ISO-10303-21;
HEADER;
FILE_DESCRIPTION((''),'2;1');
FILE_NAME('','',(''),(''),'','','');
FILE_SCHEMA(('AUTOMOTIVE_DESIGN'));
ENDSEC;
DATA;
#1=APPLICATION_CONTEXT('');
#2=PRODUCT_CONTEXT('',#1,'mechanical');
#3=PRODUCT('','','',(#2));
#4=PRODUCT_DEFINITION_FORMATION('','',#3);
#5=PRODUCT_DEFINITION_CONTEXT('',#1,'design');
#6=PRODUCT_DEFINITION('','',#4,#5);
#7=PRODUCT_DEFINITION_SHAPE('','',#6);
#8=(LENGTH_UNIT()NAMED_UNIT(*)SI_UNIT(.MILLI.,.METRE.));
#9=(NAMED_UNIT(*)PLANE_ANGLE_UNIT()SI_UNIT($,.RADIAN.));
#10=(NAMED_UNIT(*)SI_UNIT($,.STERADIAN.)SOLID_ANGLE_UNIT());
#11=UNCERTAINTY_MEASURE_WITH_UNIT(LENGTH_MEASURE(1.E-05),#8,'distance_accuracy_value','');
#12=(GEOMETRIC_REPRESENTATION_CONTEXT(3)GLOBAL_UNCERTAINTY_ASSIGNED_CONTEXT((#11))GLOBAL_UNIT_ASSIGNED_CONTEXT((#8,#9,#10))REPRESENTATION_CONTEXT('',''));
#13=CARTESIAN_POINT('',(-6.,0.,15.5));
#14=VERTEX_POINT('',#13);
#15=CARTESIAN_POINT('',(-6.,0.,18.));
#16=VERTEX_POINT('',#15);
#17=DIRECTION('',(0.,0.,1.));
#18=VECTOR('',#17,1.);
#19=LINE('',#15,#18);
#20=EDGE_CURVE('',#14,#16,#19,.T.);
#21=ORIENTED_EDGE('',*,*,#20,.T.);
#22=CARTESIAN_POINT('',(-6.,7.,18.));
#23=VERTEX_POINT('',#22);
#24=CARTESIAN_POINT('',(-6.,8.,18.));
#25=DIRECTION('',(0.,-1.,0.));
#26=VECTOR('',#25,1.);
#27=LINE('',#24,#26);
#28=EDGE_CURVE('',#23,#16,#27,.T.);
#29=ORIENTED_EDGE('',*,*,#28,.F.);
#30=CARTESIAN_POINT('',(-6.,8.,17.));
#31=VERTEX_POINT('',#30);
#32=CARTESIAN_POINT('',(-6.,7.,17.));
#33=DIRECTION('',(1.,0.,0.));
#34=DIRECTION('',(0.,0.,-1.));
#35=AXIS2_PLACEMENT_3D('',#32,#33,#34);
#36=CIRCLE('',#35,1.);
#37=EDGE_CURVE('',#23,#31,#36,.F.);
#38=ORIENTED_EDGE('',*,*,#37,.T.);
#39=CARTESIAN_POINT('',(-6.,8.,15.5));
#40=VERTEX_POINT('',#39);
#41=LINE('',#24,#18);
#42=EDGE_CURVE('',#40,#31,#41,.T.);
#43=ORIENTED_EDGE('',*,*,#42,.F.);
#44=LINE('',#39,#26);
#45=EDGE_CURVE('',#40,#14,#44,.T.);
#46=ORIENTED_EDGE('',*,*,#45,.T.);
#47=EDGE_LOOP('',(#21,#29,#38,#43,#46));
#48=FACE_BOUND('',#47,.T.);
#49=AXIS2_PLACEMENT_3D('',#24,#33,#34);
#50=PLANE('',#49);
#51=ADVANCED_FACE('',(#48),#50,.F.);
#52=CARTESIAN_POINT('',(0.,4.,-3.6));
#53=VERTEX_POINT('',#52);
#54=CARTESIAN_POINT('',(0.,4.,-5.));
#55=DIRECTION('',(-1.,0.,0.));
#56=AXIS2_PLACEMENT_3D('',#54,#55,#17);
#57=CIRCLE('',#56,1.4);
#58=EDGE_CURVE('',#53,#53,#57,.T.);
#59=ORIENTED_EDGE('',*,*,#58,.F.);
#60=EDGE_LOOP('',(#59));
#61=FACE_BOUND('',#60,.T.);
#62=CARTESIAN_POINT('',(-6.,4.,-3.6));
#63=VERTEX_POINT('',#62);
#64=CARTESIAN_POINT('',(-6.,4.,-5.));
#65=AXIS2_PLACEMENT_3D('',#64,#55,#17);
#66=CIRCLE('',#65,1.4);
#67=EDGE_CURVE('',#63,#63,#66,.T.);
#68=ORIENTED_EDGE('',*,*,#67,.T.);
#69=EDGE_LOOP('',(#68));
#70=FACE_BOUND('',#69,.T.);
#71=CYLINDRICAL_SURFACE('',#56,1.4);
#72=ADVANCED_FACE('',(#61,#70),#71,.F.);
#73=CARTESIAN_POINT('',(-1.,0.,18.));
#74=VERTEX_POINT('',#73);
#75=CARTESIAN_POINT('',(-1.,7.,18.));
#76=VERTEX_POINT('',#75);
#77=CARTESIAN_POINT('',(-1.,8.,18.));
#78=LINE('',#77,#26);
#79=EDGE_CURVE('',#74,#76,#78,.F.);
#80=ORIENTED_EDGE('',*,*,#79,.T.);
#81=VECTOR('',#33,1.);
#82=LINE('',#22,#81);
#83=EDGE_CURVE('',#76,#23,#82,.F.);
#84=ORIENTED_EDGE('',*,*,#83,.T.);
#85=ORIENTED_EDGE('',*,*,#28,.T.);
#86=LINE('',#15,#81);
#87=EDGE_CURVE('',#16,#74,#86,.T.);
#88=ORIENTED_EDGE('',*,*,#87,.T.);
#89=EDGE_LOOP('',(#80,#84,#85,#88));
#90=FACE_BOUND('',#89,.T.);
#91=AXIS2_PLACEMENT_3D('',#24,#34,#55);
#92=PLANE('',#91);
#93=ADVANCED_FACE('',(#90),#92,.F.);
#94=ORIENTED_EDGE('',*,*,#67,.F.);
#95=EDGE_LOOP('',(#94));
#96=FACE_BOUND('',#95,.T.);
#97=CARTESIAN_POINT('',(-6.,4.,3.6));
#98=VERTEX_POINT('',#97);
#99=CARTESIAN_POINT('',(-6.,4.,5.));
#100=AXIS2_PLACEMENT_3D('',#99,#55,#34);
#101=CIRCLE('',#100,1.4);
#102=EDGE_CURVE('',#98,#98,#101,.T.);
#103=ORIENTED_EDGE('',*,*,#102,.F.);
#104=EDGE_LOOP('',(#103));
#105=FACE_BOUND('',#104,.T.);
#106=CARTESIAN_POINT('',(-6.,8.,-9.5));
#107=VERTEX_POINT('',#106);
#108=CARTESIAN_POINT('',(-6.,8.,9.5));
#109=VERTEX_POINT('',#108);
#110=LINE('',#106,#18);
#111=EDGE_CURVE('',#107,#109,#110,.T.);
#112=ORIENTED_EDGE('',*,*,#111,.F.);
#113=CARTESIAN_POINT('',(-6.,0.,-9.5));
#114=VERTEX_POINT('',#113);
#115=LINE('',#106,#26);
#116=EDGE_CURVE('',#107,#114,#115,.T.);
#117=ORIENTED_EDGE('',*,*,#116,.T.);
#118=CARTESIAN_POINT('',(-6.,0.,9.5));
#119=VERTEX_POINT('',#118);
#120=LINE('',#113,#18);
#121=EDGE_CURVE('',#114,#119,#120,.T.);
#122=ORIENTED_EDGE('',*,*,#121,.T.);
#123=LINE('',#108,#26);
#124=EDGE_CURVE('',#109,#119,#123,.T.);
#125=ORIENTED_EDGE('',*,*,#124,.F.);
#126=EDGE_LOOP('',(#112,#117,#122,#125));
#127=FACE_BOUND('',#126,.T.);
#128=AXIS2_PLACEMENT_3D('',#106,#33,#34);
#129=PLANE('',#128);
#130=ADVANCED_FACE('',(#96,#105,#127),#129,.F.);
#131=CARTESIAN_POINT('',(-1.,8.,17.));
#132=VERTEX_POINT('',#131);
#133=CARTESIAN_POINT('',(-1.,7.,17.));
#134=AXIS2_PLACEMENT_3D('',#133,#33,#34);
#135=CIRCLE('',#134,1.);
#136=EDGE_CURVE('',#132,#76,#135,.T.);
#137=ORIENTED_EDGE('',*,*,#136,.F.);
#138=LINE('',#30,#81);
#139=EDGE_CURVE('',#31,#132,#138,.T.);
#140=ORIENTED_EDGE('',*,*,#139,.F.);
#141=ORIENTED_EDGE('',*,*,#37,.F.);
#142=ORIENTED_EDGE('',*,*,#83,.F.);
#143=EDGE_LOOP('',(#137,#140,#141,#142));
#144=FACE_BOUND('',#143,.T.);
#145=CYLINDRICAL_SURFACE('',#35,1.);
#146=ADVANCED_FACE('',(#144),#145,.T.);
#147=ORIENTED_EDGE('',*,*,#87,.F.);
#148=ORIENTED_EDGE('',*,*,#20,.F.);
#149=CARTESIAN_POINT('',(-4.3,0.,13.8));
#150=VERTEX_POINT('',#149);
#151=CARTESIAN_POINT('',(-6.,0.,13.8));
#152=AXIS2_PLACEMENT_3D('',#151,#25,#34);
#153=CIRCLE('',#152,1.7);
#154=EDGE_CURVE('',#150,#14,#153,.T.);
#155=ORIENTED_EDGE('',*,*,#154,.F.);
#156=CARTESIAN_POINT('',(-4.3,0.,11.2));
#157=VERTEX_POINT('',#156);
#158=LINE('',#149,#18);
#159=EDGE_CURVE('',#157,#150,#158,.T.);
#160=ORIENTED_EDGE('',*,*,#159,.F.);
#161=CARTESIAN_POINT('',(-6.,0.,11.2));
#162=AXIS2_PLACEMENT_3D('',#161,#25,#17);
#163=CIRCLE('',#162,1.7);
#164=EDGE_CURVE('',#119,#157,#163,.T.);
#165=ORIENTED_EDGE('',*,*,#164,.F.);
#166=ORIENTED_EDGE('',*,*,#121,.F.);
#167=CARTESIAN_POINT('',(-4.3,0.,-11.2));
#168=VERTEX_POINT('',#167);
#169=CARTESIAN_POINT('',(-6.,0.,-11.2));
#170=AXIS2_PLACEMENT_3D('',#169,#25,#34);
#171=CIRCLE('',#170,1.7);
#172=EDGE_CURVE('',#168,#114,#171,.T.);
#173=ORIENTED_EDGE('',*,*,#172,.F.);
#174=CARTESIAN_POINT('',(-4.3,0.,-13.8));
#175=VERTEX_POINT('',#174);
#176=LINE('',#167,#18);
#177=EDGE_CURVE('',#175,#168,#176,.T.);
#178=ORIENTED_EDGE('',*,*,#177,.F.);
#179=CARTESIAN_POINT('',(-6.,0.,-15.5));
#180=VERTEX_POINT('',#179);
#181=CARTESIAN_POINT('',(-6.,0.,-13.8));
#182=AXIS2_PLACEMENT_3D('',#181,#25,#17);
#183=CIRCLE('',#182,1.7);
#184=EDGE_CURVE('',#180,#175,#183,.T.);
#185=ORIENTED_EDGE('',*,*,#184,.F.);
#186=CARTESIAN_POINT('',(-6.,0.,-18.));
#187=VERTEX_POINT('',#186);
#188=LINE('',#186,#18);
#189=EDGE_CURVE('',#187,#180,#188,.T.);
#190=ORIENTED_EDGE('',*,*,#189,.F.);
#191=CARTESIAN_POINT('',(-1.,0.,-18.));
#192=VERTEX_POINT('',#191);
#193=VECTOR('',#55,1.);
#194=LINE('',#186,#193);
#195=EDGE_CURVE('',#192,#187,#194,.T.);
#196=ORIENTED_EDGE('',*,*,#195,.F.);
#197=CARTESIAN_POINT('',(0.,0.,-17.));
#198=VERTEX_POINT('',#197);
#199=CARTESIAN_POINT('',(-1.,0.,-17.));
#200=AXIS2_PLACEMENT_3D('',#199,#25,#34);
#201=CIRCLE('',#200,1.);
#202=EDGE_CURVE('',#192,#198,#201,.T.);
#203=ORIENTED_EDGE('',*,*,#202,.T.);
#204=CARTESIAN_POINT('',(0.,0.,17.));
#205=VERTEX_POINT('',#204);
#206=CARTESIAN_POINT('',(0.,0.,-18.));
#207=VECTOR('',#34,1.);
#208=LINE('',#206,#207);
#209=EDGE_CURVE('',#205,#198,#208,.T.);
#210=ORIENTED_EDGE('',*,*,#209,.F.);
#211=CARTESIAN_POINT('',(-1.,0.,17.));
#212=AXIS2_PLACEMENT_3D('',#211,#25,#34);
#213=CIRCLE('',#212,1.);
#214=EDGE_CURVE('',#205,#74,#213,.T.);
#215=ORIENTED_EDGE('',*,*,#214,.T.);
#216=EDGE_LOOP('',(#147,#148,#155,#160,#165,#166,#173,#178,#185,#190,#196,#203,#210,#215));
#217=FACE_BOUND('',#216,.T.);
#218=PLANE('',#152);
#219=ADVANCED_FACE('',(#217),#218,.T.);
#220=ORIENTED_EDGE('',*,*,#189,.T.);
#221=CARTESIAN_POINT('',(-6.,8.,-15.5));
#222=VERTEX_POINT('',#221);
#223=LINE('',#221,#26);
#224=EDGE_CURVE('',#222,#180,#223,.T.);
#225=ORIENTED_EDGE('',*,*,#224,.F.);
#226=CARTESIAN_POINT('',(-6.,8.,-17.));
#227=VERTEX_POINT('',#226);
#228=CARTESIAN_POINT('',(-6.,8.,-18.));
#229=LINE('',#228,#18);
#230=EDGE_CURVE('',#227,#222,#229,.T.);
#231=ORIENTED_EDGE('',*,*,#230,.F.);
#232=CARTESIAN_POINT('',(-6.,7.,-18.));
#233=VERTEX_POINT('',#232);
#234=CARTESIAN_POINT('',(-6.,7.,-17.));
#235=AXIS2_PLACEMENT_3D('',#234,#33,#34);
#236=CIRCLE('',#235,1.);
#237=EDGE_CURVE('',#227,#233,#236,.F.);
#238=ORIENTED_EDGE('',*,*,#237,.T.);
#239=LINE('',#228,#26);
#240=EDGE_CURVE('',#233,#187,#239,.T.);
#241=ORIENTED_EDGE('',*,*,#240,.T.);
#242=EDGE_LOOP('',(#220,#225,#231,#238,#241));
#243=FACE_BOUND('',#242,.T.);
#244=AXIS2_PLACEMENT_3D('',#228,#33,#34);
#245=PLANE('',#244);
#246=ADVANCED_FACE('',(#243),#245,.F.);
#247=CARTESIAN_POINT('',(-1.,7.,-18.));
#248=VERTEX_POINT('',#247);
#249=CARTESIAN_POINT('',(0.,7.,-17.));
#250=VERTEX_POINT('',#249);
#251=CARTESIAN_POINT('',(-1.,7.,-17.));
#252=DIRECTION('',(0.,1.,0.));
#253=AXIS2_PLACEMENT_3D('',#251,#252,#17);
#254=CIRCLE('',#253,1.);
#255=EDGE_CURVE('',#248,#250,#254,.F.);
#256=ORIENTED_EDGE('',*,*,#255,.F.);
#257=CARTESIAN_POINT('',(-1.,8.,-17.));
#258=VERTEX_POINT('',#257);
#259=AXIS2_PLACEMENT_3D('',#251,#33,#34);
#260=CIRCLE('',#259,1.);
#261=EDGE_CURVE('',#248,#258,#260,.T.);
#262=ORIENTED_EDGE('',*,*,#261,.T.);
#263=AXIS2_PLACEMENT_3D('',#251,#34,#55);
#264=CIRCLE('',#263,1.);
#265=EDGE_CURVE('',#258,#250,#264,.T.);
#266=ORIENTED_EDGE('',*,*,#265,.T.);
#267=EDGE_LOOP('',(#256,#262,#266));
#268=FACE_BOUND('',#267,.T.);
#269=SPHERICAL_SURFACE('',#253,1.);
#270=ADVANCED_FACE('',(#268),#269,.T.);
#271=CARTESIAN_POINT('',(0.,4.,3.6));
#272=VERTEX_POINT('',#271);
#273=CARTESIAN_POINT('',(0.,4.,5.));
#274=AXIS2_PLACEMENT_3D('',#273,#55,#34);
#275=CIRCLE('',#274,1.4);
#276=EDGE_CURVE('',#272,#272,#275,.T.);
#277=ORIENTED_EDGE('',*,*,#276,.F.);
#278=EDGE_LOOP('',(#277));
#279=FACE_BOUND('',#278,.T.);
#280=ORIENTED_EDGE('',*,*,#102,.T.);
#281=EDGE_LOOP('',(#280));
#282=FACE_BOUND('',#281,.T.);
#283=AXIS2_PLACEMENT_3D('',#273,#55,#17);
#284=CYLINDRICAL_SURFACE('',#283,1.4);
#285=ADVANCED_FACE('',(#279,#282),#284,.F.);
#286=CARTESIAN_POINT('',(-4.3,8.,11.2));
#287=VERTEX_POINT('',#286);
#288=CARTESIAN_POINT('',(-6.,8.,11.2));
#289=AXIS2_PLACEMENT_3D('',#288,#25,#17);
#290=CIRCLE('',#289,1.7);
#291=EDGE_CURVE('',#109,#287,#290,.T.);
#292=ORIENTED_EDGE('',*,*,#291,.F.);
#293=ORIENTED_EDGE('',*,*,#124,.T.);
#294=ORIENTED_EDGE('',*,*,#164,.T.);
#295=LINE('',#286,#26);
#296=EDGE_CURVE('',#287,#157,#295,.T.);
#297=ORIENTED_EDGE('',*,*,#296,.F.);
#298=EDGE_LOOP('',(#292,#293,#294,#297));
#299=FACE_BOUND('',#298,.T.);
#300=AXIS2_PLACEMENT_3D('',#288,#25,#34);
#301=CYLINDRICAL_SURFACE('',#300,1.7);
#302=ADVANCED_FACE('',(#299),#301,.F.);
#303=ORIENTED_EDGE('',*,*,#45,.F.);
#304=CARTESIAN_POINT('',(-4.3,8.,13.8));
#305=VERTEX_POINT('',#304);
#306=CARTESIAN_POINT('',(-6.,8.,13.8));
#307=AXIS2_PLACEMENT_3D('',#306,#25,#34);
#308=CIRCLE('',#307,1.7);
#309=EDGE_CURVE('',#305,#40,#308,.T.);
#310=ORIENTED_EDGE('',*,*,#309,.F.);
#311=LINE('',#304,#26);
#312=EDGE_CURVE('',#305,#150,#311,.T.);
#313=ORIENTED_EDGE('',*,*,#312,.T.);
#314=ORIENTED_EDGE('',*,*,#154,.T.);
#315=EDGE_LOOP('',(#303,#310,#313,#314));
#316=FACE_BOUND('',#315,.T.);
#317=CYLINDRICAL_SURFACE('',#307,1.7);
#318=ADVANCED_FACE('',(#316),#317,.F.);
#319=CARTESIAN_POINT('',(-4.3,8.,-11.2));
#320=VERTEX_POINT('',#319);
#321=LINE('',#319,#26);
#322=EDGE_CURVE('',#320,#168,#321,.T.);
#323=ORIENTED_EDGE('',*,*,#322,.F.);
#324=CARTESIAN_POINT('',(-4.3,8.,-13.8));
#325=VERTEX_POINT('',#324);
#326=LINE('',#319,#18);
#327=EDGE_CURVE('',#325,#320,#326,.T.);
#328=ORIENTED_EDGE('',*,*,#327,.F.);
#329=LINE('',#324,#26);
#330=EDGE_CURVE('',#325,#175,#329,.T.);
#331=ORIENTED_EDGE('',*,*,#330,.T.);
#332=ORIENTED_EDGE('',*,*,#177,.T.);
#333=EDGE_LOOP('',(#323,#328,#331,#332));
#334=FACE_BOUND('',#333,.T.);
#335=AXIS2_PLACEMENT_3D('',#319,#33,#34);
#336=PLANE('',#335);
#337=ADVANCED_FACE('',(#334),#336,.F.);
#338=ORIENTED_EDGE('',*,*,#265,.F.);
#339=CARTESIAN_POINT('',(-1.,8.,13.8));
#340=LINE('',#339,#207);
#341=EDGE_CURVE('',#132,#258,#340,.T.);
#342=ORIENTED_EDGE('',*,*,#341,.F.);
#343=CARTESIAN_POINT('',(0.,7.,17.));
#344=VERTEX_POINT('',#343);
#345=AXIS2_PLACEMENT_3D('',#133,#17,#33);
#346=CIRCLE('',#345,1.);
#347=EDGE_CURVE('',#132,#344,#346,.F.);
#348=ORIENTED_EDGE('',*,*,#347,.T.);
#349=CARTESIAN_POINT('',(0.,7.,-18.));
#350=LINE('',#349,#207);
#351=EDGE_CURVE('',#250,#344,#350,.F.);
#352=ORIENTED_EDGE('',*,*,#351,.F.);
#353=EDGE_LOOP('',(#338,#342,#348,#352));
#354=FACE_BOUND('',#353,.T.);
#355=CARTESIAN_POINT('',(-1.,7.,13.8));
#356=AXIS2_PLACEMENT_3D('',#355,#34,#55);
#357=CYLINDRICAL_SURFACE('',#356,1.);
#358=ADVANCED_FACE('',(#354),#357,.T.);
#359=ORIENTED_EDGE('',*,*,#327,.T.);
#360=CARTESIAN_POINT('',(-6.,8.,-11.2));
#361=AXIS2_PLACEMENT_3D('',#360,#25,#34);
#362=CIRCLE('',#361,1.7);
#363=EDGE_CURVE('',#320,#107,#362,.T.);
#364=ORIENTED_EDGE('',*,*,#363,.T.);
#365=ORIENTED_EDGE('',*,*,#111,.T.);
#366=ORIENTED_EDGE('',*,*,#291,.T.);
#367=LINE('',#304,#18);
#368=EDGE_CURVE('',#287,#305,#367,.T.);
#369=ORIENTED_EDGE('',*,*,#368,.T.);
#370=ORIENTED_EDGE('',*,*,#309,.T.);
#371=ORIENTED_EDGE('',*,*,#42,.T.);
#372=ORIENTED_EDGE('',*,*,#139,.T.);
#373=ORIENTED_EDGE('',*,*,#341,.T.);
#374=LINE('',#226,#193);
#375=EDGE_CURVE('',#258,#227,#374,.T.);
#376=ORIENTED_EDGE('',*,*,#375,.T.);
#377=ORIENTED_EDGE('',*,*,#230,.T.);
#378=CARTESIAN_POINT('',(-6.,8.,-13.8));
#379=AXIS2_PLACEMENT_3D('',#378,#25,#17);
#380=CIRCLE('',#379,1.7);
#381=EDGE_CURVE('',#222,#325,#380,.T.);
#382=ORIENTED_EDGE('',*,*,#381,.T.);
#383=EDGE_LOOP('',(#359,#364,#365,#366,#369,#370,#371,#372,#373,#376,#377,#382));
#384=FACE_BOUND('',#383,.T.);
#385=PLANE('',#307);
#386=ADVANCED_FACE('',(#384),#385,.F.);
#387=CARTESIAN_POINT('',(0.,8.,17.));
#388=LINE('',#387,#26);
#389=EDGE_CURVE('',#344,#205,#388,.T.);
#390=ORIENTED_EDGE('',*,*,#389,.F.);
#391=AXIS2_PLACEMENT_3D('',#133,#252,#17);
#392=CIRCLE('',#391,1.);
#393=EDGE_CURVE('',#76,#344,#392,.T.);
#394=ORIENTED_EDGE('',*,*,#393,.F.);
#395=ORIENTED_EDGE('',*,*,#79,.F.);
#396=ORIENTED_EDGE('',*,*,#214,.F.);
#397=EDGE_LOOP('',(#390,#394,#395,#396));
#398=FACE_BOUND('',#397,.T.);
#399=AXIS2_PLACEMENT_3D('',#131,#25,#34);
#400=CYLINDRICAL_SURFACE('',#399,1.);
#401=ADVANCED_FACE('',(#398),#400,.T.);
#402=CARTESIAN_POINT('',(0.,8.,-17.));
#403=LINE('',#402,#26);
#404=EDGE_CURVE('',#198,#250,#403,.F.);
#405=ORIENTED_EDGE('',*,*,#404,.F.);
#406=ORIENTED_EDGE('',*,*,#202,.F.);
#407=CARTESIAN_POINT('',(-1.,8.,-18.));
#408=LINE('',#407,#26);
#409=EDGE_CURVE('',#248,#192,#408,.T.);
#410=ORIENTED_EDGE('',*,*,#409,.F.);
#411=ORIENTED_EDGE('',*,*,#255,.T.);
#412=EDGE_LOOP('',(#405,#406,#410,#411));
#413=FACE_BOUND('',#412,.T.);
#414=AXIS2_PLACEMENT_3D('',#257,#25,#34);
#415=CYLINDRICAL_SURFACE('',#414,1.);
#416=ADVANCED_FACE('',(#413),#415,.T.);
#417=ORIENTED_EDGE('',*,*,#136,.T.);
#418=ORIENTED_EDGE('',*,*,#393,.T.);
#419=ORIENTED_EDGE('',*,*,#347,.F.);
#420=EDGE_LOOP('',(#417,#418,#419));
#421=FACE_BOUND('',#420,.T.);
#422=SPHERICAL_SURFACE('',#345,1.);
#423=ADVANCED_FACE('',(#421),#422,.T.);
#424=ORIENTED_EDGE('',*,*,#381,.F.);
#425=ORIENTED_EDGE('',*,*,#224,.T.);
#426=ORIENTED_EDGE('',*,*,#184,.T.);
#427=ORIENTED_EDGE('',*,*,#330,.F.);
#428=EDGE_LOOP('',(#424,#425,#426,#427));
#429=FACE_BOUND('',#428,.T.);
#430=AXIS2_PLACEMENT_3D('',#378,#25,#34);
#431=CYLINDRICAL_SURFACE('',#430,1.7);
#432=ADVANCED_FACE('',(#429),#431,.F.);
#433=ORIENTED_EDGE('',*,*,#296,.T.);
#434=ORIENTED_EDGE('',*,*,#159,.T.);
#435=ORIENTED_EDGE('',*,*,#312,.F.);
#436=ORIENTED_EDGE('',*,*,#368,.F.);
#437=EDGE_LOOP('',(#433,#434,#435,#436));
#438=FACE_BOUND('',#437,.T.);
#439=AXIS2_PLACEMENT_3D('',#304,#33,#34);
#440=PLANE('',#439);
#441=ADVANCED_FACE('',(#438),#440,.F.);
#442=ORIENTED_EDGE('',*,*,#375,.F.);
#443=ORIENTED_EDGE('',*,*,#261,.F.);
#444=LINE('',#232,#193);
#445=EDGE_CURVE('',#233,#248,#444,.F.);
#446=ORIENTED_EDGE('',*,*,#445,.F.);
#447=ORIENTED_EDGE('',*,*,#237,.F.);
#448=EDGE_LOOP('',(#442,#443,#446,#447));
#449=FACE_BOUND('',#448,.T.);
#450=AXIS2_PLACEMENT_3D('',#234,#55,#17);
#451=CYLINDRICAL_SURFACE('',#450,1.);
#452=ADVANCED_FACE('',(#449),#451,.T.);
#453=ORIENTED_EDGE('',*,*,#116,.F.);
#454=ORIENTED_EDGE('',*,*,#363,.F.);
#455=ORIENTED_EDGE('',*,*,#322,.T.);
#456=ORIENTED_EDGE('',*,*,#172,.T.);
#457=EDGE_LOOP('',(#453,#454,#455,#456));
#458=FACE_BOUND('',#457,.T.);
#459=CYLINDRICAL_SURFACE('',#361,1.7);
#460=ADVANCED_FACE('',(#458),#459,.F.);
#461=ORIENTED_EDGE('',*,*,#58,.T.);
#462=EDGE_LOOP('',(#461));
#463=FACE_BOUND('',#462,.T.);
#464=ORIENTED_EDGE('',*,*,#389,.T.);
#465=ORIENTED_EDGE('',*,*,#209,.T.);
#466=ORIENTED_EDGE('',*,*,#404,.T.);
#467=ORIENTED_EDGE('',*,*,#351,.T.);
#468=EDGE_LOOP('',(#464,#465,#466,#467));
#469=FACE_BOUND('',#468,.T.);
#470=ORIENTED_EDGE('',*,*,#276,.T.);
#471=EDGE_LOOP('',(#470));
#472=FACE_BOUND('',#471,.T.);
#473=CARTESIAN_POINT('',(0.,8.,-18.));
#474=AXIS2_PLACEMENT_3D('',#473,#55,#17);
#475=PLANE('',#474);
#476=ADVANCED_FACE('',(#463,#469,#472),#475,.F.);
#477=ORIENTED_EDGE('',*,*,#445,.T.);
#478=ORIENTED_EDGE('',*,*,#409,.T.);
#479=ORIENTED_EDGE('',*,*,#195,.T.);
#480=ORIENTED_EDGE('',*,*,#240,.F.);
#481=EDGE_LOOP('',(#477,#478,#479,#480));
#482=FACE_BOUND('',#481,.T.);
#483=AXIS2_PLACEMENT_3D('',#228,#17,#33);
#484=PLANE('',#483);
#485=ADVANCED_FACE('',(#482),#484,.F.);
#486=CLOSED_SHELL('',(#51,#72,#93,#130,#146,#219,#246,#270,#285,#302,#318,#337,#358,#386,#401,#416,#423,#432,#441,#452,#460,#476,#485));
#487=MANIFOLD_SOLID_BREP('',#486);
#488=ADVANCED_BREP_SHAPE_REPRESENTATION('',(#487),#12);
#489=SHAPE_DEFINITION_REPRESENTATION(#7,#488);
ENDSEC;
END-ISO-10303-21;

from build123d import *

# Parameters (mm, degrees)
BASE_DEPTH           = 8
SKETCH2_R            = 1.4
SCREW_HOLES_DEPTH    = 21.591260282
F_1MM_EDGE_FILLETS_R = 1


with BuildPart() as part:
    # Sketch1 → Base (new body)
    with BuildSketch(Plane(origin=(0, 0, 0), x_dir=(1, 0, 0), z_dir=(0, 1, 0))):
        with BuildLine():
            Line((-6, 18), (-6, 15.5))
            ThreePointArc((-6, 15.5), (-4.797918472, 15.002081528), (-4.3, 13.8))
            Line((-4.3, 13.8), (-4.3, 11.2))
            ThreePointArc((-4.3, 11.2), (-4.797918472, 9.997918472), (-6, 9.5))
            Line((-6, 9.5), (-6, -9.5))
            ThreePointArc((-6, -9.5), (-4.797918472, -9.997918472), (-4.3, -11.2))
            Line((-4.3, -11.2), (-4.3, -13.8))
            ThreePointArc((-4.3, -13.8), (-4.797918472, -15.002081528), (-6, -15.5))
            Line((-6, -15.5), (-6, -18))
            Line((-6, -18), (0, -18))
            Line((0, -18), (0, 18))
            Line((0, 18), (-6, 18))
        make_face()
    extrude(amount=BASE_DEPTH)

    # Sketch2 → Screw Holes (cut, through all)
    with BuildSketch(Plane.ZY.offset(6)):
        with Locations((-5, 4)):
            Circle(SKETCH2_R)
        with Locations(Location((5, 4, 0), (0, 0, 180))):
            Circle(SKETCH2_R)
    extrude(amount=-SCREW_HOLES_DEPTH, mode=Mode.SUBTRACT)

    # 1mm Edge Fillets
    f_1mm_edge_fillets_edges = [part.edges().sort_by_distance(p)[0] for p in [
        (0, 4, -18),
        (0, 4, 18),
        (-3, 8, 18),
        (0, 8, 0),
        (-3, 8, -18),
    ]]
    fillet(f_1mm_edge_fillets_edges, radius=F_1MM_EDGE_FILLETS_R)


solid = part.part
